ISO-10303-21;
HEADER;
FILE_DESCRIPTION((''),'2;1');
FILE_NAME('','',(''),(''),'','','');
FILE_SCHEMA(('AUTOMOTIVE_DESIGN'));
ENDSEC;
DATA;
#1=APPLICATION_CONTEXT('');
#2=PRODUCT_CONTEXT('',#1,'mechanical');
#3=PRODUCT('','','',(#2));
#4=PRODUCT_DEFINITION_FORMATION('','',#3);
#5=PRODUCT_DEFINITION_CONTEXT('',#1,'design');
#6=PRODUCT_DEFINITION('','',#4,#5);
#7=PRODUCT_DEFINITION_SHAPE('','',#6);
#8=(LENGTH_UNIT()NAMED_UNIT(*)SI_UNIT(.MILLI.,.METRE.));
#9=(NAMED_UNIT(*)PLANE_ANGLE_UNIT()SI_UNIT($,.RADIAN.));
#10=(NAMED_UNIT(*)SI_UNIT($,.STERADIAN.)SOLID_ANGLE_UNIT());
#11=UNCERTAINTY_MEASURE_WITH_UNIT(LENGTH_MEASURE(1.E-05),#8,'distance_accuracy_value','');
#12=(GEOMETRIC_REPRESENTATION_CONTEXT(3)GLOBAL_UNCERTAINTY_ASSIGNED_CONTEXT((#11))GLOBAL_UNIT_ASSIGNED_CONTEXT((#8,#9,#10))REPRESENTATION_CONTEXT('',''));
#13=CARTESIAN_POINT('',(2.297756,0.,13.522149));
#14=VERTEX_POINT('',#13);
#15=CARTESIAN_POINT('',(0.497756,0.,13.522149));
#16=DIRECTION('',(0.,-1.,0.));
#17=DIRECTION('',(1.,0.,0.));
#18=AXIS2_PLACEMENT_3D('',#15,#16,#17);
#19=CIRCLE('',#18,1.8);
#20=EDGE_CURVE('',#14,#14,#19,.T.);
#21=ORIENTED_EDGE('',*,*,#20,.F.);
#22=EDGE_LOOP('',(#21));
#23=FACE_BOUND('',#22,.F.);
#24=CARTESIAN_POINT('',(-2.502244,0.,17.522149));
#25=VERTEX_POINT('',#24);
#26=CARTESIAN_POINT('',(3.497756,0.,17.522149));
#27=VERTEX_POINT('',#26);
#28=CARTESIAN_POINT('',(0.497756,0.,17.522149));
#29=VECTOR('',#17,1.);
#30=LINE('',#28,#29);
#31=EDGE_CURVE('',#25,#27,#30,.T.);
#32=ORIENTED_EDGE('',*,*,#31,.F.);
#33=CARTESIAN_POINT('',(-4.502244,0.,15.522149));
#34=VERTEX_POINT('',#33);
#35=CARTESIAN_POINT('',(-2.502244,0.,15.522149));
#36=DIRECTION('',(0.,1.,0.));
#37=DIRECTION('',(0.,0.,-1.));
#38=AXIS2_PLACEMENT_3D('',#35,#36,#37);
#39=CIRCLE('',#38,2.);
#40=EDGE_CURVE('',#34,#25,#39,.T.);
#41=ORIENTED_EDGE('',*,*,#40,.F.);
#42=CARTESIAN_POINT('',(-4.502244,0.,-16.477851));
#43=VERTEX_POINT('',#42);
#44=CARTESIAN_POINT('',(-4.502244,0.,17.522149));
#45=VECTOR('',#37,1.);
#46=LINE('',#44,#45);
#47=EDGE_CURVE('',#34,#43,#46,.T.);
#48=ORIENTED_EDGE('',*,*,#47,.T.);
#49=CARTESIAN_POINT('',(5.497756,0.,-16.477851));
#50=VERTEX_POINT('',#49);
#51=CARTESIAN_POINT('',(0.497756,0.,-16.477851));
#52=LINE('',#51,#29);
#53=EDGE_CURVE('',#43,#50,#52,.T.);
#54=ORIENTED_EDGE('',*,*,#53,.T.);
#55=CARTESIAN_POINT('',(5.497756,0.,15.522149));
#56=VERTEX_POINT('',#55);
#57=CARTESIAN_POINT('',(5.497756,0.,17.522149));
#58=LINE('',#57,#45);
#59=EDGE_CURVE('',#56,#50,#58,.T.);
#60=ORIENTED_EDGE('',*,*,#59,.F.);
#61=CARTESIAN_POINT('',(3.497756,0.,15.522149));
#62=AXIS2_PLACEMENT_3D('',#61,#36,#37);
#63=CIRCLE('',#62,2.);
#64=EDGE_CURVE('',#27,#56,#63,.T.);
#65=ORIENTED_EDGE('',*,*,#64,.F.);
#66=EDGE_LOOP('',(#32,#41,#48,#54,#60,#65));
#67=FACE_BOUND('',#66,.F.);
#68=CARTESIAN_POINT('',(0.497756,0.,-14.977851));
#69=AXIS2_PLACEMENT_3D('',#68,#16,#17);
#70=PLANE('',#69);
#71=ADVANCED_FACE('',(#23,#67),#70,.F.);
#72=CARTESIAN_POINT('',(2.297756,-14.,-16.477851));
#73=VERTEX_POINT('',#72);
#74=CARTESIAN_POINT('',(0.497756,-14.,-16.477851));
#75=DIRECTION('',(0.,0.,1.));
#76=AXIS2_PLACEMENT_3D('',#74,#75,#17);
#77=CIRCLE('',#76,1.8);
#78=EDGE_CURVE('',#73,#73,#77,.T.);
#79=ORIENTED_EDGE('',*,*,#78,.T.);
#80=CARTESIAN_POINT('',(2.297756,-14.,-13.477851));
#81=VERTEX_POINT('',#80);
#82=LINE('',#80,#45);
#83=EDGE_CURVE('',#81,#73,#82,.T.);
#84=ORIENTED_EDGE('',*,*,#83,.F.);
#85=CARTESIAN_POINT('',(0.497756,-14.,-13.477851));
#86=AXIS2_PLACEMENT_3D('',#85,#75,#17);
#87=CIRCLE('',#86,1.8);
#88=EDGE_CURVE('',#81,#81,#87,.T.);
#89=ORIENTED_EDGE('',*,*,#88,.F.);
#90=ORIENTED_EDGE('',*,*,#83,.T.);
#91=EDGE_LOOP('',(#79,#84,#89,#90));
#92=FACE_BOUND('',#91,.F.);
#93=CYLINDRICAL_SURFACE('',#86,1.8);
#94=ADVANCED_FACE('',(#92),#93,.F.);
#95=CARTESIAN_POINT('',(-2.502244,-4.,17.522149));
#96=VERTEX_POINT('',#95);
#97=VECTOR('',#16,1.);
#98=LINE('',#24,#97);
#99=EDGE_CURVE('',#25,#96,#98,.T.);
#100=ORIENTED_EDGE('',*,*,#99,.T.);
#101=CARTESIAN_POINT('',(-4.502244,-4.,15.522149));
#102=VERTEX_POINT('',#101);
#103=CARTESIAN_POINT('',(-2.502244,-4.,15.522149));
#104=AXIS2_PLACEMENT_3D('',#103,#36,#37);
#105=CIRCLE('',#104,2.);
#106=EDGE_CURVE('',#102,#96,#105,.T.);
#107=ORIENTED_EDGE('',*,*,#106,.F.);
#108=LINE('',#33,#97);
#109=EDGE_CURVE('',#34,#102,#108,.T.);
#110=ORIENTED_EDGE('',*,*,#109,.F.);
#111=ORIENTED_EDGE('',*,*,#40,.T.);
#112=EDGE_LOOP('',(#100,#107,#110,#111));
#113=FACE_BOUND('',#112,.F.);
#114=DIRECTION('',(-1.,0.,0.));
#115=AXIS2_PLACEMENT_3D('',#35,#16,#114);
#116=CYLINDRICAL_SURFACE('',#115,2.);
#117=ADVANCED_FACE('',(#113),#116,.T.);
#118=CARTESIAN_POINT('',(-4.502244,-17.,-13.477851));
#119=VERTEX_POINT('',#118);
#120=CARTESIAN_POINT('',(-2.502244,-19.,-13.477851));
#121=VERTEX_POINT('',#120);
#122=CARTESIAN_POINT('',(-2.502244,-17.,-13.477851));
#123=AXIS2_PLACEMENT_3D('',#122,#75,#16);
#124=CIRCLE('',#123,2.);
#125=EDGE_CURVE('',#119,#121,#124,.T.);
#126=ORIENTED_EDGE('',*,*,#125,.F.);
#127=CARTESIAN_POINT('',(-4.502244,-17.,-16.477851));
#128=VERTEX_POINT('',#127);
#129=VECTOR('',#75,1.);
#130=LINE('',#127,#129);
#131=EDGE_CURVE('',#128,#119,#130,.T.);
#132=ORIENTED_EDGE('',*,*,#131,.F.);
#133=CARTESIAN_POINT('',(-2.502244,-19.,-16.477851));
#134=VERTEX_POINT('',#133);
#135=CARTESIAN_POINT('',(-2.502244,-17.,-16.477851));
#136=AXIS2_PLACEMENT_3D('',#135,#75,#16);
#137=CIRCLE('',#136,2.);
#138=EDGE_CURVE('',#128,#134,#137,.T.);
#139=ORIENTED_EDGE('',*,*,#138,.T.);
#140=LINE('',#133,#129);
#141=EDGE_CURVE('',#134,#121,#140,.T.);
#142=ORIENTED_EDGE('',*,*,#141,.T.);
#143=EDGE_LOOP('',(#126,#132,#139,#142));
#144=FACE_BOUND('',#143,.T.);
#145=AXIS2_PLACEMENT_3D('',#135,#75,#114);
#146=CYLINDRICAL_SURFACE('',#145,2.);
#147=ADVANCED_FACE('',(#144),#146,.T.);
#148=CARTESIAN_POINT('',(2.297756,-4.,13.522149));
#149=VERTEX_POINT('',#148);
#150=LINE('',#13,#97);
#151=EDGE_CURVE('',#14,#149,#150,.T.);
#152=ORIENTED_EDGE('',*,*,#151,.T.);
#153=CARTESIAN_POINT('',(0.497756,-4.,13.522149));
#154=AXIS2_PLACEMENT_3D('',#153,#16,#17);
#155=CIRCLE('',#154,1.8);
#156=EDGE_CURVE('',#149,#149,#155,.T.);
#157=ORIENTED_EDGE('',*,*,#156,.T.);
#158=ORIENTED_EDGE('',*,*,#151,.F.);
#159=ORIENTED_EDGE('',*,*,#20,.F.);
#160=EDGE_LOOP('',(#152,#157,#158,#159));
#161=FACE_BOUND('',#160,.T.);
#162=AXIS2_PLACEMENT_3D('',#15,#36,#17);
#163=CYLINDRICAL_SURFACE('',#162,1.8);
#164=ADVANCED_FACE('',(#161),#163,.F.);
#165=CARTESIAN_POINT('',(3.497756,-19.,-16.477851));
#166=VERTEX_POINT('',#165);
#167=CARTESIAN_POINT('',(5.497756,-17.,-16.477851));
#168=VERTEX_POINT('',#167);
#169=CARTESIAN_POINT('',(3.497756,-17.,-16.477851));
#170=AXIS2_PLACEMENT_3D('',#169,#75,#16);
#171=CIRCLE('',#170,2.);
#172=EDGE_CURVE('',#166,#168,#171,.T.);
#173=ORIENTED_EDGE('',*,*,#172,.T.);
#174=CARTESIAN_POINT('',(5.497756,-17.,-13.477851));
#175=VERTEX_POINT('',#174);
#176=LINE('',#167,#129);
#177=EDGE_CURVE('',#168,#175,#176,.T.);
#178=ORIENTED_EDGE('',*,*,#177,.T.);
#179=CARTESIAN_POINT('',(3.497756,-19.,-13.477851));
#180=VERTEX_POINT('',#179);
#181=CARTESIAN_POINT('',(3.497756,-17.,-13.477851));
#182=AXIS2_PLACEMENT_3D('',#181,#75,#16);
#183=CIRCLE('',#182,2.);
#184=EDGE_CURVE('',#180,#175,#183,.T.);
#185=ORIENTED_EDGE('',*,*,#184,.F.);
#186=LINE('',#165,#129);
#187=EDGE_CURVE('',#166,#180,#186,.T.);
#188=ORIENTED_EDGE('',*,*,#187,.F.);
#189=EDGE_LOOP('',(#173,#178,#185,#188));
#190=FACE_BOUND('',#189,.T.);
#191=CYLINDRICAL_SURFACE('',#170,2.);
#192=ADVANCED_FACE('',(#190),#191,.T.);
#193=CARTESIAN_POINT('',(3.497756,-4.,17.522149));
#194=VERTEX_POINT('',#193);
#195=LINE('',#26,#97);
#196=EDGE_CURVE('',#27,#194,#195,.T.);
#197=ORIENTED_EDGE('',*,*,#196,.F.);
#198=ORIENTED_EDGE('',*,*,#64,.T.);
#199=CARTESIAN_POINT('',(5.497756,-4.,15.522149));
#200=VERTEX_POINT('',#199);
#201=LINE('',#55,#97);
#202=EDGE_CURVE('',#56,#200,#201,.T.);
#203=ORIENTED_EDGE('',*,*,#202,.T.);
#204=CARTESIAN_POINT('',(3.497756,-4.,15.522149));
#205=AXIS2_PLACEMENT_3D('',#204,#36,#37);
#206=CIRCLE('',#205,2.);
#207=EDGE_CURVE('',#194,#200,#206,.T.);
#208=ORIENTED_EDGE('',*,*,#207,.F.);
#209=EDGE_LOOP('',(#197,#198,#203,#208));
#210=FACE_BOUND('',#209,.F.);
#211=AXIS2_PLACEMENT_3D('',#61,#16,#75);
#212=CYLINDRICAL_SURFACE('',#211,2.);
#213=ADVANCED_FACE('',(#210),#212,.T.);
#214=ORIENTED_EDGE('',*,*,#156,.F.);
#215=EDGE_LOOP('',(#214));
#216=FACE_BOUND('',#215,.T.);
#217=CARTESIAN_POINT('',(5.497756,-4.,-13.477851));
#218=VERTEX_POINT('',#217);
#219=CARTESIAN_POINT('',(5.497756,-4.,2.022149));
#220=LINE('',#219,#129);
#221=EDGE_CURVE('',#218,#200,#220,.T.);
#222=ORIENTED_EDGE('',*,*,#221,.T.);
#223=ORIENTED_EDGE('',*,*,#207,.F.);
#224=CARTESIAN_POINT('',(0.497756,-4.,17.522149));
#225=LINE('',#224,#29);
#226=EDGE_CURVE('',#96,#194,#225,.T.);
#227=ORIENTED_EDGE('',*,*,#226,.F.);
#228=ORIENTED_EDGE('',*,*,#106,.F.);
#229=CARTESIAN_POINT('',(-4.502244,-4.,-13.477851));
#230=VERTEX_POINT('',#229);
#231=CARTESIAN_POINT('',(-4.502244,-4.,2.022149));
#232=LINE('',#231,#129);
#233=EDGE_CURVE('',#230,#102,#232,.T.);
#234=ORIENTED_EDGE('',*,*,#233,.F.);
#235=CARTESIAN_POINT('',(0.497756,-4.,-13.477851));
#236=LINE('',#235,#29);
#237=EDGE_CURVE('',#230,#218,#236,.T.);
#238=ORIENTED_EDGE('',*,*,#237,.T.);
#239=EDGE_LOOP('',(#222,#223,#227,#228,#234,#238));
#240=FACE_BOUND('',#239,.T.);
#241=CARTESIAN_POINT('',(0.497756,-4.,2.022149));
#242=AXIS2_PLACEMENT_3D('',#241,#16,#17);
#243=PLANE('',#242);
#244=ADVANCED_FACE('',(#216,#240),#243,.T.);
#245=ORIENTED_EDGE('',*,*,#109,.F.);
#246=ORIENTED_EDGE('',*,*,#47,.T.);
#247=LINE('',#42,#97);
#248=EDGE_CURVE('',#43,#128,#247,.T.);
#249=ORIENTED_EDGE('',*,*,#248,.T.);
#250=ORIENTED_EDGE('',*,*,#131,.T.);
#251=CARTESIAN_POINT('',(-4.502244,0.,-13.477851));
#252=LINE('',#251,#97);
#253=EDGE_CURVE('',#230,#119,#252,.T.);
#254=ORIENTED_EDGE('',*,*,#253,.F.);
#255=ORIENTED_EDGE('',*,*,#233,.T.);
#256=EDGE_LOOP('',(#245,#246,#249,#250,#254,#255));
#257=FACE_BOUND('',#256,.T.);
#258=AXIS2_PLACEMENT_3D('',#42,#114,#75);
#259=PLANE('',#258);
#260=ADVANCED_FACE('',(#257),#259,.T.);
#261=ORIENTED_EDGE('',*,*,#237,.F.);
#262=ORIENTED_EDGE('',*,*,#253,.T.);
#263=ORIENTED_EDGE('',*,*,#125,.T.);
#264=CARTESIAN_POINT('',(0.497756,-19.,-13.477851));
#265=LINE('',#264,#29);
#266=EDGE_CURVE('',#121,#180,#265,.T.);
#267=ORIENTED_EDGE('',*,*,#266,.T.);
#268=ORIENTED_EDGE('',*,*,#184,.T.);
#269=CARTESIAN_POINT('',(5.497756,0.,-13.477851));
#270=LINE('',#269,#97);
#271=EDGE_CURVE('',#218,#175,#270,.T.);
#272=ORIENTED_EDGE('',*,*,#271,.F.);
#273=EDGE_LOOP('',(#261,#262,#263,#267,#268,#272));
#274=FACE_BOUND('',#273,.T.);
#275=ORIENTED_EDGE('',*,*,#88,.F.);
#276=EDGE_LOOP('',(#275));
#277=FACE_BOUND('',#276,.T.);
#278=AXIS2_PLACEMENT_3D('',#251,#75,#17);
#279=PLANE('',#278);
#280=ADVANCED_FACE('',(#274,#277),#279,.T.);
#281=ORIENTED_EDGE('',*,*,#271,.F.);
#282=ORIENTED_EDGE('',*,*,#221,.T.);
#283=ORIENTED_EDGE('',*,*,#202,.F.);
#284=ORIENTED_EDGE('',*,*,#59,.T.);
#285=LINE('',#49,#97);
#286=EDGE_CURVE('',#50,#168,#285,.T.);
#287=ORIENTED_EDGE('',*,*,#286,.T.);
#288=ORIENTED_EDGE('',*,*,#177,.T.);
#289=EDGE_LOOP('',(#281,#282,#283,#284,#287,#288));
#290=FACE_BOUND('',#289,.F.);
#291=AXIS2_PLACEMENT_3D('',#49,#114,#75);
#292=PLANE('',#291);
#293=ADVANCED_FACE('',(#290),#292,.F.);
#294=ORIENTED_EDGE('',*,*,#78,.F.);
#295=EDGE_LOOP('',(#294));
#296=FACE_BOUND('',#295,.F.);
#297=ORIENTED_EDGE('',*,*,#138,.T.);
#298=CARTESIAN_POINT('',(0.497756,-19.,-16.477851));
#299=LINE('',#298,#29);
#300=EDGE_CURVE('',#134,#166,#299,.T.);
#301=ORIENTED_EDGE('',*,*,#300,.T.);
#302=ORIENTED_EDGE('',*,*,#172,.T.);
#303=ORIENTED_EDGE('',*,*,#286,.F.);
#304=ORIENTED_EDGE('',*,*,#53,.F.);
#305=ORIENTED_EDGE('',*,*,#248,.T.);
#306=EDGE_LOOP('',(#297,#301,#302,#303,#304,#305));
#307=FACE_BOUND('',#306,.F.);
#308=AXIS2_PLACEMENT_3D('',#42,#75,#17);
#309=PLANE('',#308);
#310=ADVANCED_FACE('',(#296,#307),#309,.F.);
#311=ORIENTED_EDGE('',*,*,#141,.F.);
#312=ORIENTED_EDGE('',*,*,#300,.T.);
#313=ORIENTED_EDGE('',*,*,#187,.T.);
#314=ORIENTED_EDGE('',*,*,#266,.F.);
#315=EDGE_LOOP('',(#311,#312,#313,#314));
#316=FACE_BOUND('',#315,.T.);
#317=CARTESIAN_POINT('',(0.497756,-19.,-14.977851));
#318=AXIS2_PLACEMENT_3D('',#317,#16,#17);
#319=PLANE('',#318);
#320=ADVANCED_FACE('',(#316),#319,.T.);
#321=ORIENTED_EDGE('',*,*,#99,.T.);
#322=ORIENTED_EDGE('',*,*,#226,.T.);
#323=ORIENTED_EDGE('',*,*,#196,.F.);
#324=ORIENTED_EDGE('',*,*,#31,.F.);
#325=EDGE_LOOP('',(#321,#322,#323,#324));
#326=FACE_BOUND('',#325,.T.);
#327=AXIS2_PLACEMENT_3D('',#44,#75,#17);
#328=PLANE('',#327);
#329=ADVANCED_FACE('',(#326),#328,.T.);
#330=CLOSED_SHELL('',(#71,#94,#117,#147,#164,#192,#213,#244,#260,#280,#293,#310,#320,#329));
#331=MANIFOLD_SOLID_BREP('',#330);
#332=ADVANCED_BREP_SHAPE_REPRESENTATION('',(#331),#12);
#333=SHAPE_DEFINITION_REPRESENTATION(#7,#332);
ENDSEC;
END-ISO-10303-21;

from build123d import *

# Parameters (mm, degrees)
F0_W     = 10
F0_H     = 31
F0_R     = 1.8
F1_DEPTH = 4
F0_H_2   = 3
F2_DEPTH = 19
F3_R     = 1.8
F4_DEPTH = 25
F5_R     = 2


with BuildPart() as f1:
    # F0 (on Front) → F1 (new body)
    with BuildSketch(Plane.XZ):
        with Locations((0.497756, 2.022149)):
            Rectangle(F0_W, F0_H)
        with Locations((0.497756, 13.522149)):
            Circle(F0_R, mode=Mode.SUBTRACT)
    extrude(amount=F1_DEPTH)

    # F0 (on Front) → F2 (join)
    with BuildSketch(Plane.XZ):
        with Locations((0.497756, -14.977851)):
            Rectangle(F0_W, F0_H_2)
    extrude(amount=F2_DEPTH)

    # F3 (on face) → F4 (cut)
    with BuildSketch(Plane.XY.offset(-13.477851)):
        with Locations((0.497756, -14)):
            Circle(F3_R)
    extrude(amount=-F4_DEPTH, mode=Mode.SUBTRACT)

    # F5
    f5_edges = [f1.edges().sort_by_distance(p)[0] for p in [
        (-4.502244, -2, 17.522149),
        (5.497756, -2, 17.522149),
        (5.497756, -19, -14.977851),
        (-4.502244, -19, -14.977851),
    ]]
    fillet(f5_edges, radius=F5_R)


solid = f1.part
